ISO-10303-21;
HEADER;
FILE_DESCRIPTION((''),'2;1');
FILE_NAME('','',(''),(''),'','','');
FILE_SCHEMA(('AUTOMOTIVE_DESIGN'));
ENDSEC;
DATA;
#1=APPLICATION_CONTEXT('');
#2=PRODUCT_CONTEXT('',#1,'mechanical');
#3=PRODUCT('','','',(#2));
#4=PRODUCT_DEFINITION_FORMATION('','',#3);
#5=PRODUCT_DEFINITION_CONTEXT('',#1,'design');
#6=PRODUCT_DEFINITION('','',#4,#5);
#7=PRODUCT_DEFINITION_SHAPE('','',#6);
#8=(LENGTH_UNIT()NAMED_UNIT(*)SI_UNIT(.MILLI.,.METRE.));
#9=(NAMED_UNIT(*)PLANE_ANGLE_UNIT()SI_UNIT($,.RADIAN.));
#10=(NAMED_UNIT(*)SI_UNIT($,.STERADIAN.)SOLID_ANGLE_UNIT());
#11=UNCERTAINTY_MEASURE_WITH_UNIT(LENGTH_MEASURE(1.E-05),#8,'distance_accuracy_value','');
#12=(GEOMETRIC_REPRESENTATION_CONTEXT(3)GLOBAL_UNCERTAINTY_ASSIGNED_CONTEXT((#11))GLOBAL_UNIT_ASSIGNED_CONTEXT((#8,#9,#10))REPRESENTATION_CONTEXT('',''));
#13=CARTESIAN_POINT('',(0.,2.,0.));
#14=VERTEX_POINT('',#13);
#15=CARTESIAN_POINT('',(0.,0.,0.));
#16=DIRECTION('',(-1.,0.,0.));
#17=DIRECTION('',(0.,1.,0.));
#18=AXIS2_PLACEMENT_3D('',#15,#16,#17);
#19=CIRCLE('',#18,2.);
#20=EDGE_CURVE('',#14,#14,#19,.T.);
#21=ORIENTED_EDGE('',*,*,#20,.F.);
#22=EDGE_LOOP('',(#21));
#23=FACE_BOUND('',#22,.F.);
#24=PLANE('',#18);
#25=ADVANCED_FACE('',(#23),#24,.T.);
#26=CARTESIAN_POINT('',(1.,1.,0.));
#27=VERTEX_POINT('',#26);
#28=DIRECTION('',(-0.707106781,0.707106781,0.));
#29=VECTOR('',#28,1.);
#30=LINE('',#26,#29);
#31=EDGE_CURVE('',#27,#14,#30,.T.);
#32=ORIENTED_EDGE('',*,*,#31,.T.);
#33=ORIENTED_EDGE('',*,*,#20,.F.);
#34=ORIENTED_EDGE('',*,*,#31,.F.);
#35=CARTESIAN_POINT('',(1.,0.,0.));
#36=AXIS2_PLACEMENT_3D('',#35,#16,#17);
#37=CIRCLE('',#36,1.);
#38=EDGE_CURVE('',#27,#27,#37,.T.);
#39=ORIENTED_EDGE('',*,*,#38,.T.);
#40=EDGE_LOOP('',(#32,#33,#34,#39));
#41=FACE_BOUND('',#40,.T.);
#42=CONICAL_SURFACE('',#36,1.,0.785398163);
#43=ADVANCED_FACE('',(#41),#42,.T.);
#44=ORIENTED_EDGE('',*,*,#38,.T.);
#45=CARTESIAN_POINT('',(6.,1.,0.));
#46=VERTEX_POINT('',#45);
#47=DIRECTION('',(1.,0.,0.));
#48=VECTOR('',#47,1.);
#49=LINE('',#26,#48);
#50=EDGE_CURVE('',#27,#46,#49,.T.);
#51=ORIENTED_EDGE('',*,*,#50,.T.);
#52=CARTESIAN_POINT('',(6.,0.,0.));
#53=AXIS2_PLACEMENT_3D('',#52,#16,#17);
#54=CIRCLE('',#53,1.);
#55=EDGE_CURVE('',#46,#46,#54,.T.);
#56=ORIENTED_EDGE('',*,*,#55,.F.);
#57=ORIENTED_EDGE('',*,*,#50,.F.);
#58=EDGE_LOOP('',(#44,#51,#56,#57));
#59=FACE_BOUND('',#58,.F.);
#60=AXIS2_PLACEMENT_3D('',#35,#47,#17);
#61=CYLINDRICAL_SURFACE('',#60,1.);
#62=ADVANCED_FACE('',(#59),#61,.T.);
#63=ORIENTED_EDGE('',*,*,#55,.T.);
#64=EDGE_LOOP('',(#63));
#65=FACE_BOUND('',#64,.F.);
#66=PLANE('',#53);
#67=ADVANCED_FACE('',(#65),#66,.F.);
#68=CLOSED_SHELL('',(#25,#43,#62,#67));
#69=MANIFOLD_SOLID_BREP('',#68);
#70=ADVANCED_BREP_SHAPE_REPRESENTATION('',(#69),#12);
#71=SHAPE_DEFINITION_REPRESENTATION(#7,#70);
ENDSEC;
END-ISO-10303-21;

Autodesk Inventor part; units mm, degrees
ref_plane "YZ Plane" through (0, 0, 0) normal (1, 0, 0) x (0, 1, 0)
ref_plane "XZ Plane" through (0, 0, 0) normal (0, 1, 0) x (-1, 0, 0)
ref_plane "XY Plane" through (0, 0, 0) normal (0, 0, 1) x (1, 0, 0)
sketch "スケッチ1" plane through (0, 0, 0) normal (0, 0, 1) x (1, 0, 0)
  line L0 (0, 0) -> (0, 2)
  line L1 (1, 1) -> (6, 1)
  line L2 (6, 1) -> (6, 0)
  line L3 (6, 0) -> (0, 0)
  line L4 (1, 1) -> (0, 2)
  dimension "d3" = 1
  dimension "d5" = 2
  dimension "d6" = 6
  dimension "d7" = 1
revolve "回転1" add sketch "スケッチ1" angle 360 about axis through (6, 0, 0) along (-1, 0, 0)
properties part number "M2_L10" material "鋼"
